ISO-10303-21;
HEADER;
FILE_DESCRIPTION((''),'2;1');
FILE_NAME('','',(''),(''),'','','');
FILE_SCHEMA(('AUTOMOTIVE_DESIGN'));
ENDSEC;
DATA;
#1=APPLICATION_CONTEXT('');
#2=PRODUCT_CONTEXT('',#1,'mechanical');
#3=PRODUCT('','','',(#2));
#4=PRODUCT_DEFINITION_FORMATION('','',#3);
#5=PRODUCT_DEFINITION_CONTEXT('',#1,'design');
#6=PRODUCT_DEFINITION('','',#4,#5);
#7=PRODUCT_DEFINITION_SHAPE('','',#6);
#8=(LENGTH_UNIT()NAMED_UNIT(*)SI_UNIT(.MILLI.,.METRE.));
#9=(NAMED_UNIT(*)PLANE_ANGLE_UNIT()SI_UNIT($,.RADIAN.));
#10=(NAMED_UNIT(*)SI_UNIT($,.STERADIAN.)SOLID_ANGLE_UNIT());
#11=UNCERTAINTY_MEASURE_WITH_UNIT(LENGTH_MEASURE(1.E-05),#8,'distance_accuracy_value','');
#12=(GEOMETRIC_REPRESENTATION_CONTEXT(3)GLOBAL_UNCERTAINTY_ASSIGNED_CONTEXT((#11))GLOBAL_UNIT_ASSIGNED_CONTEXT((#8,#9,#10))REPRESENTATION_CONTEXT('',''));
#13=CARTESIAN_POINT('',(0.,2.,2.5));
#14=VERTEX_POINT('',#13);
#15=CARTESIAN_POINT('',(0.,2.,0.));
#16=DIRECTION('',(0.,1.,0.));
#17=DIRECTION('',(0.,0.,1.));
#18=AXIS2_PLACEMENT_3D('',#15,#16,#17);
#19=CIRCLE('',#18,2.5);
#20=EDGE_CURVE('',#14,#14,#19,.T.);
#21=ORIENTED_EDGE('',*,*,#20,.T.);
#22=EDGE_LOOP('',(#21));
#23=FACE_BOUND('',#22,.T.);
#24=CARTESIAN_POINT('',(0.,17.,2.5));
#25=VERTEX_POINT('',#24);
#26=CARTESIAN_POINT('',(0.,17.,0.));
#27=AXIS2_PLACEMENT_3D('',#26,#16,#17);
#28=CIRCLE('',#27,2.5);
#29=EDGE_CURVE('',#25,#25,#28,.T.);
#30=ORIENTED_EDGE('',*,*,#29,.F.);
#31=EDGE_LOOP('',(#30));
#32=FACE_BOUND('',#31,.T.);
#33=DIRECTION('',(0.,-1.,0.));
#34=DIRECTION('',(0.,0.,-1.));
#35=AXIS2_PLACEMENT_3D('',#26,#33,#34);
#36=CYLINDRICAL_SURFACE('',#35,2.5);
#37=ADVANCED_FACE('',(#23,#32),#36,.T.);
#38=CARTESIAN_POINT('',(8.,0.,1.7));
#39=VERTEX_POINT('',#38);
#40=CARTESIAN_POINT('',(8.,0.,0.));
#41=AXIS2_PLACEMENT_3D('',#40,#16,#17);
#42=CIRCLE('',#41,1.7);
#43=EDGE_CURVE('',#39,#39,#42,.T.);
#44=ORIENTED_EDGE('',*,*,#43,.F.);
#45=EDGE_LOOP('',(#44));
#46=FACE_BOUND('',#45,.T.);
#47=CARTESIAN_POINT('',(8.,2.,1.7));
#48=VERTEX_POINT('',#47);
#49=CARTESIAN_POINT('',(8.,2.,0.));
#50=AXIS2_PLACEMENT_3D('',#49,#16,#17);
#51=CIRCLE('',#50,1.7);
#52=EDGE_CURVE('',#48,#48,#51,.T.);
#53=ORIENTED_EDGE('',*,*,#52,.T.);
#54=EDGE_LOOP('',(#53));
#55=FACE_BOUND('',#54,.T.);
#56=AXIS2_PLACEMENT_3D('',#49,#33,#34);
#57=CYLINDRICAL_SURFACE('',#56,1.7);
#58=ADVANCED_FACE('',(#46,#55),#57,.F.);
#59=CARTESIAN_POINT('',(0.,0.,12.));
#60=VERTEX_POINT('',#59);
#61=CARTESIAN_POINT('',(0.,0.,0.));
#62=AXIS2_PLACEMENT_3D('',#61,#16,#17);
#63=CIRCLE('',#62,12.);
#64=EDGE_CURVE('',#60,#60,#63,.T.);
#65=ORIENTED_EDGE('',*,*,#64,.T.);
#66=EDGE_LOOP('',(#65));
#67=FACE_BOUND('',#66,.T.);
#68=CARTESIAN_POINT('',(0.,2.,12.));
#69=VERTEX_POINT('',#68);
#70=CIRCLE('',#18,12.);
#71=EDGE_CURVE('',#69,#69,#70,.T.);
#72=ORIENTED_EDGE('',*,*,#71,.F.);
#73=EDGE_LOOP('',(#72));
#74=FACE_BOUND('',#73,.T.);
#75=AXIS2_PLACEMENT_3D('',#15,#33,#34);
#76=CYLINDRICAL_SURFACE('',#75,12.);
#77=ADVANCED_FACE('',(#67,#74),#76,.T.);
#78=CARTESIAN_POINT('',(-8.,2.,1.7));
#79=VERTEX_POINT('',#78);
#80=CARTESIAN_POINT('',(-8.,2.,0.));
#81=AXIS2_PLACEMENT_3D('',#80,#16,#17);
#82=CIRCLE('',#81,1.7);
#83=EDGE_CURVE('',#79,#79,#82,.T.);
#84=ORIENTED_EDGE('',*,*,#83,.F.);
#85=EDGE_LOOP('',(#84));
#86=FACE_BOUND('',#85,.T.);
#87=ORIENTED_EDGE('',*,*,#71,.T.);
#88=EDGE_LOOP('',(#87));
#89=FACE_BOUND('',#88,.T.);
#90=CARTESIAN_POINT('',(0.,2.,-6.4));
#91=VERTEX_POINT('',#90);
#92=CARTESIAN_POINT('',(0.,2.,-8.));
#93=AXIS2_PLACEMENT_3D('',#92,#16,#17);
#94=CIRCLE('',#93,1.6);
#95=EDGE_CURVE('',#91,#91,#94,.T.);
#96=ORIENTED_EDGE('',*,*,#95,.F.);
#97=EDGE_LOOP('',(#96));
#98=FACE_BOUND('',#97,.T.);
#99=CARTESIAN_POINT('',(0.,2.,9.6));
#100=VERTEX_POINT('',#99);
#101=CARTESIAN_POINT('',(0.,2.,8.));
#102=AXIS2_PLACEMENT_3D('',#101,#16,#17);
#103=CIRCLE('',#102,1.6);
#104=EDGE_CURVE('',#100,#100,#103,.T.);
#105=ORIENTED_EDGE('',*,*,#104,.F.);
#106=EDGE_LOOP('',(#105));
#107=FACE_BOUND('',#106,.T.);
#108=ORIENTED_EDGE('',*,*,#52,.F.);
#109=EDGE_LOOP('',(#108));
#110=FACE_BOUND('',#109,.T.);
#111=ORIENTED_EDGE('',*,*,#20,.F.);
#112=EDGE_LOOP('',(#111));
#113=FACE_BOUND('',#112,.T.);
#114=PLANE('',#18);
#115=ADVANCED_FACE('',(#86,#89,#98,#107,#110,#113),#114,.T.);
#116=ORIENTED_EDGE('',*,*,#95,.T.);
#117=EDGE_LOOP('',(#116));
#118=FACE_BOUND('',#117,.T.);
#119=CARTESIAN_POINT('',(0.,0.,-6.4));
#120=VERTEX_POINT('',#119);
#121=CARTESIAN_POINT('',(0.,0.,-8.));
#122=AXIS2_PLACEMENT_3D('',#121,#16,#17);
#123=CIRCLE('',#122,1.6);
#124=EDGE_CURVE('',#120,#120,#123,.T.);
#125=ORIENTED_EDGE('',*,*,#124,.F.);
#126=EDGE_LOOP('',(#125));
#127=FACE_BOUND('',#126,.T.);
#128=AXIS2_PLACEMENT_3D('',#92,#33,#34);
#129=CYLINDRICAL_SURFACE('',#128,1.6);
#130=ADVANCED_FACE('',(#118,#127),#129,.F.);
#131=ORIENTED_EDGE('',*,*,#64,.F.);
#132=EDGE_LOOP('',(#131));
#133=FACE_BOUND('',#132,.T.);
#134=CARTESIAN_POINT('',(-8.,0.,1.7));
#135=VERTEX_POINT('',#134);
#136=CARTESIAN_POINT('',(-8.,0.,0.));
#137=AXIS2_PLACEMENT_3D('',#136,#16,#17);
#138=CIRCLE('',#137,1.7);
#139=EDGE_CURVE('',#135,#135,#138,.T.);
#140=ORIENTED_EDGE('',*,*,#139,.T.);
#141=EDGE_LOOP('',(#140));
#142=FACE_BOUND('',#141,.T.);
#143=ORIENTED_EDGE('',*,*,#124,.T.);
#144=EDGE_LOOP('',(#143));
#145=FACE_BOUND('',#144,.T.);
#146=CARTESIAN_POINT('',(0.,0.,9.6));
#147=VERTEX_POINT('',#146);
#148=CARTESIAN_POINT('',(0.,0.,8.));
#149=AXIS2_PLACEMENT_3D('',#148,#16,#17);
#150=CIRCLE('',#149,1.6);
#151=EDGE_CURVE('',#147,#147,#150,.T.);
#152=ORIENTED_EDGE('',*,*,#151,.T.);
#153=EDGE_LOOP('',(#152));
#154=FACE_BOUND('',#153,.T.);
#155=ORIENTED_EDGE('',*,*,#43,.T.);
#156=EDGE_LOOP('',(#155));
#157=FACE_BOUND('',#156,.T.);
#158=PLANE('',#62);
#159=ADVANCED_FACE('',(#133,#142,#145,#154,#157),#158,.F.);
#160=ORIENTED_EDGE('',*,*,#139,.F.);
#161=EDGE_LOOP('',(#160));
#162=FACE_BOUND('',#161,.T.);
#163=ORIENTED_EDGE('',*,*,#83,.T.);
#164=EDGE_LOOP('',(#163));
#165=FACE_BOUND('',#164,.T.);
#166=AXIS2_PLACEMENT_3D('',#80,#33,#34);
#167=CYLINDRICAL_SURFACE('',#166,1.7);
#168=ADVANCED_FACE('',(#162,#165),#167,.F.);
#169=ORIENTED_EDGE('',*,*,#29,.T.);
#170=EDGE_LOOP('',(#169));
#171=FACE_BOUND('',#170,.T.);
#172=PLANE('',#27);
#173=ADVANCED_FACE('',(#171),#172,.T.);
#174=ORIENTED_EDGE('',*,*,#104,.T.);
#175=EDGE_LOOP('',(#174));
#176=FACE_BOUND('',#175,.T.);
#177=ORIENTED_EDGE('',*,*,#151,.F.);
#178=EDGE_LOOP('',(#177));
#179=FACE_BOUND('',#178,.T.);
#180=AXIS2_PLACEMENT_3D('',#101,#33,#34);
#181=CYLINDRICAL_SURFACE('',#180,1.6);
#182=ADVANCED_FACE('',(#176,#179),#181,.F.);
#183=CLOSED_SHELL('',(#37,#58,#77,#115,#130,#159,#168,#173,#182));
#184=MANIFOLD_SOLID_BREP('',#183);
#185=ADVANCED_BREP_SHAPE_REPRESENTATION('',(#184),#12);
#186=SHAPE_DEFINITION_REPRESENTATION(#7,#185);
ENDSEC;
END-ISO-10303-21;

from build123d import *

# Parameters (mm, degrees)
SKETCH_1_R      = 12
SKETCH_1_R_2    = 1.7
SKETCH_1_R_3    = 1.6
EXTRUDE_1_DEPTH = 2
SKETCH_2_R      = 2.5
EXTRUDE_2_DEPTH = 15


with BuildPart() as part:
    # 草图1 → 凸台-拉伸1 (new body)
    with BuildSketch(Plane(origin=(0, 0, 0), x_dir=(1, 0, 0), z_dir=(0, 1, 0))):
        Circle(SKETCH_1_R)
        with Locations((-8, 0)):
            Circle(SKETCH_1_R_2, mode=Mode.SUBTRACT)
        with Locations((0, 8)):
            Circle(SKETCH_1_R_3, mode=Mode.SUBTRACT)
        with Locations((8, 0)):
            Circle(SKETCH_1_R_2, mode=Mode.SUBTRACT)
        with Locations((0, -8)):
            Circle(SKETCH_1_R_3, mode=Mode.SUBTRACT)
    extrude(amount=EXTRUDE_1_DEPTH)

    # 草图2 → 凸台-拉伸2 (add)
    with BuildSketch(Plane(origin=(0, 2, 0), x_dir=(1, 0, 0), z_dir=(0, 1, 0))):
        Circle(SKETCH_2_R)
    extrude(amount=EXTRUDE_2_DEPTH)


solid = part.part
